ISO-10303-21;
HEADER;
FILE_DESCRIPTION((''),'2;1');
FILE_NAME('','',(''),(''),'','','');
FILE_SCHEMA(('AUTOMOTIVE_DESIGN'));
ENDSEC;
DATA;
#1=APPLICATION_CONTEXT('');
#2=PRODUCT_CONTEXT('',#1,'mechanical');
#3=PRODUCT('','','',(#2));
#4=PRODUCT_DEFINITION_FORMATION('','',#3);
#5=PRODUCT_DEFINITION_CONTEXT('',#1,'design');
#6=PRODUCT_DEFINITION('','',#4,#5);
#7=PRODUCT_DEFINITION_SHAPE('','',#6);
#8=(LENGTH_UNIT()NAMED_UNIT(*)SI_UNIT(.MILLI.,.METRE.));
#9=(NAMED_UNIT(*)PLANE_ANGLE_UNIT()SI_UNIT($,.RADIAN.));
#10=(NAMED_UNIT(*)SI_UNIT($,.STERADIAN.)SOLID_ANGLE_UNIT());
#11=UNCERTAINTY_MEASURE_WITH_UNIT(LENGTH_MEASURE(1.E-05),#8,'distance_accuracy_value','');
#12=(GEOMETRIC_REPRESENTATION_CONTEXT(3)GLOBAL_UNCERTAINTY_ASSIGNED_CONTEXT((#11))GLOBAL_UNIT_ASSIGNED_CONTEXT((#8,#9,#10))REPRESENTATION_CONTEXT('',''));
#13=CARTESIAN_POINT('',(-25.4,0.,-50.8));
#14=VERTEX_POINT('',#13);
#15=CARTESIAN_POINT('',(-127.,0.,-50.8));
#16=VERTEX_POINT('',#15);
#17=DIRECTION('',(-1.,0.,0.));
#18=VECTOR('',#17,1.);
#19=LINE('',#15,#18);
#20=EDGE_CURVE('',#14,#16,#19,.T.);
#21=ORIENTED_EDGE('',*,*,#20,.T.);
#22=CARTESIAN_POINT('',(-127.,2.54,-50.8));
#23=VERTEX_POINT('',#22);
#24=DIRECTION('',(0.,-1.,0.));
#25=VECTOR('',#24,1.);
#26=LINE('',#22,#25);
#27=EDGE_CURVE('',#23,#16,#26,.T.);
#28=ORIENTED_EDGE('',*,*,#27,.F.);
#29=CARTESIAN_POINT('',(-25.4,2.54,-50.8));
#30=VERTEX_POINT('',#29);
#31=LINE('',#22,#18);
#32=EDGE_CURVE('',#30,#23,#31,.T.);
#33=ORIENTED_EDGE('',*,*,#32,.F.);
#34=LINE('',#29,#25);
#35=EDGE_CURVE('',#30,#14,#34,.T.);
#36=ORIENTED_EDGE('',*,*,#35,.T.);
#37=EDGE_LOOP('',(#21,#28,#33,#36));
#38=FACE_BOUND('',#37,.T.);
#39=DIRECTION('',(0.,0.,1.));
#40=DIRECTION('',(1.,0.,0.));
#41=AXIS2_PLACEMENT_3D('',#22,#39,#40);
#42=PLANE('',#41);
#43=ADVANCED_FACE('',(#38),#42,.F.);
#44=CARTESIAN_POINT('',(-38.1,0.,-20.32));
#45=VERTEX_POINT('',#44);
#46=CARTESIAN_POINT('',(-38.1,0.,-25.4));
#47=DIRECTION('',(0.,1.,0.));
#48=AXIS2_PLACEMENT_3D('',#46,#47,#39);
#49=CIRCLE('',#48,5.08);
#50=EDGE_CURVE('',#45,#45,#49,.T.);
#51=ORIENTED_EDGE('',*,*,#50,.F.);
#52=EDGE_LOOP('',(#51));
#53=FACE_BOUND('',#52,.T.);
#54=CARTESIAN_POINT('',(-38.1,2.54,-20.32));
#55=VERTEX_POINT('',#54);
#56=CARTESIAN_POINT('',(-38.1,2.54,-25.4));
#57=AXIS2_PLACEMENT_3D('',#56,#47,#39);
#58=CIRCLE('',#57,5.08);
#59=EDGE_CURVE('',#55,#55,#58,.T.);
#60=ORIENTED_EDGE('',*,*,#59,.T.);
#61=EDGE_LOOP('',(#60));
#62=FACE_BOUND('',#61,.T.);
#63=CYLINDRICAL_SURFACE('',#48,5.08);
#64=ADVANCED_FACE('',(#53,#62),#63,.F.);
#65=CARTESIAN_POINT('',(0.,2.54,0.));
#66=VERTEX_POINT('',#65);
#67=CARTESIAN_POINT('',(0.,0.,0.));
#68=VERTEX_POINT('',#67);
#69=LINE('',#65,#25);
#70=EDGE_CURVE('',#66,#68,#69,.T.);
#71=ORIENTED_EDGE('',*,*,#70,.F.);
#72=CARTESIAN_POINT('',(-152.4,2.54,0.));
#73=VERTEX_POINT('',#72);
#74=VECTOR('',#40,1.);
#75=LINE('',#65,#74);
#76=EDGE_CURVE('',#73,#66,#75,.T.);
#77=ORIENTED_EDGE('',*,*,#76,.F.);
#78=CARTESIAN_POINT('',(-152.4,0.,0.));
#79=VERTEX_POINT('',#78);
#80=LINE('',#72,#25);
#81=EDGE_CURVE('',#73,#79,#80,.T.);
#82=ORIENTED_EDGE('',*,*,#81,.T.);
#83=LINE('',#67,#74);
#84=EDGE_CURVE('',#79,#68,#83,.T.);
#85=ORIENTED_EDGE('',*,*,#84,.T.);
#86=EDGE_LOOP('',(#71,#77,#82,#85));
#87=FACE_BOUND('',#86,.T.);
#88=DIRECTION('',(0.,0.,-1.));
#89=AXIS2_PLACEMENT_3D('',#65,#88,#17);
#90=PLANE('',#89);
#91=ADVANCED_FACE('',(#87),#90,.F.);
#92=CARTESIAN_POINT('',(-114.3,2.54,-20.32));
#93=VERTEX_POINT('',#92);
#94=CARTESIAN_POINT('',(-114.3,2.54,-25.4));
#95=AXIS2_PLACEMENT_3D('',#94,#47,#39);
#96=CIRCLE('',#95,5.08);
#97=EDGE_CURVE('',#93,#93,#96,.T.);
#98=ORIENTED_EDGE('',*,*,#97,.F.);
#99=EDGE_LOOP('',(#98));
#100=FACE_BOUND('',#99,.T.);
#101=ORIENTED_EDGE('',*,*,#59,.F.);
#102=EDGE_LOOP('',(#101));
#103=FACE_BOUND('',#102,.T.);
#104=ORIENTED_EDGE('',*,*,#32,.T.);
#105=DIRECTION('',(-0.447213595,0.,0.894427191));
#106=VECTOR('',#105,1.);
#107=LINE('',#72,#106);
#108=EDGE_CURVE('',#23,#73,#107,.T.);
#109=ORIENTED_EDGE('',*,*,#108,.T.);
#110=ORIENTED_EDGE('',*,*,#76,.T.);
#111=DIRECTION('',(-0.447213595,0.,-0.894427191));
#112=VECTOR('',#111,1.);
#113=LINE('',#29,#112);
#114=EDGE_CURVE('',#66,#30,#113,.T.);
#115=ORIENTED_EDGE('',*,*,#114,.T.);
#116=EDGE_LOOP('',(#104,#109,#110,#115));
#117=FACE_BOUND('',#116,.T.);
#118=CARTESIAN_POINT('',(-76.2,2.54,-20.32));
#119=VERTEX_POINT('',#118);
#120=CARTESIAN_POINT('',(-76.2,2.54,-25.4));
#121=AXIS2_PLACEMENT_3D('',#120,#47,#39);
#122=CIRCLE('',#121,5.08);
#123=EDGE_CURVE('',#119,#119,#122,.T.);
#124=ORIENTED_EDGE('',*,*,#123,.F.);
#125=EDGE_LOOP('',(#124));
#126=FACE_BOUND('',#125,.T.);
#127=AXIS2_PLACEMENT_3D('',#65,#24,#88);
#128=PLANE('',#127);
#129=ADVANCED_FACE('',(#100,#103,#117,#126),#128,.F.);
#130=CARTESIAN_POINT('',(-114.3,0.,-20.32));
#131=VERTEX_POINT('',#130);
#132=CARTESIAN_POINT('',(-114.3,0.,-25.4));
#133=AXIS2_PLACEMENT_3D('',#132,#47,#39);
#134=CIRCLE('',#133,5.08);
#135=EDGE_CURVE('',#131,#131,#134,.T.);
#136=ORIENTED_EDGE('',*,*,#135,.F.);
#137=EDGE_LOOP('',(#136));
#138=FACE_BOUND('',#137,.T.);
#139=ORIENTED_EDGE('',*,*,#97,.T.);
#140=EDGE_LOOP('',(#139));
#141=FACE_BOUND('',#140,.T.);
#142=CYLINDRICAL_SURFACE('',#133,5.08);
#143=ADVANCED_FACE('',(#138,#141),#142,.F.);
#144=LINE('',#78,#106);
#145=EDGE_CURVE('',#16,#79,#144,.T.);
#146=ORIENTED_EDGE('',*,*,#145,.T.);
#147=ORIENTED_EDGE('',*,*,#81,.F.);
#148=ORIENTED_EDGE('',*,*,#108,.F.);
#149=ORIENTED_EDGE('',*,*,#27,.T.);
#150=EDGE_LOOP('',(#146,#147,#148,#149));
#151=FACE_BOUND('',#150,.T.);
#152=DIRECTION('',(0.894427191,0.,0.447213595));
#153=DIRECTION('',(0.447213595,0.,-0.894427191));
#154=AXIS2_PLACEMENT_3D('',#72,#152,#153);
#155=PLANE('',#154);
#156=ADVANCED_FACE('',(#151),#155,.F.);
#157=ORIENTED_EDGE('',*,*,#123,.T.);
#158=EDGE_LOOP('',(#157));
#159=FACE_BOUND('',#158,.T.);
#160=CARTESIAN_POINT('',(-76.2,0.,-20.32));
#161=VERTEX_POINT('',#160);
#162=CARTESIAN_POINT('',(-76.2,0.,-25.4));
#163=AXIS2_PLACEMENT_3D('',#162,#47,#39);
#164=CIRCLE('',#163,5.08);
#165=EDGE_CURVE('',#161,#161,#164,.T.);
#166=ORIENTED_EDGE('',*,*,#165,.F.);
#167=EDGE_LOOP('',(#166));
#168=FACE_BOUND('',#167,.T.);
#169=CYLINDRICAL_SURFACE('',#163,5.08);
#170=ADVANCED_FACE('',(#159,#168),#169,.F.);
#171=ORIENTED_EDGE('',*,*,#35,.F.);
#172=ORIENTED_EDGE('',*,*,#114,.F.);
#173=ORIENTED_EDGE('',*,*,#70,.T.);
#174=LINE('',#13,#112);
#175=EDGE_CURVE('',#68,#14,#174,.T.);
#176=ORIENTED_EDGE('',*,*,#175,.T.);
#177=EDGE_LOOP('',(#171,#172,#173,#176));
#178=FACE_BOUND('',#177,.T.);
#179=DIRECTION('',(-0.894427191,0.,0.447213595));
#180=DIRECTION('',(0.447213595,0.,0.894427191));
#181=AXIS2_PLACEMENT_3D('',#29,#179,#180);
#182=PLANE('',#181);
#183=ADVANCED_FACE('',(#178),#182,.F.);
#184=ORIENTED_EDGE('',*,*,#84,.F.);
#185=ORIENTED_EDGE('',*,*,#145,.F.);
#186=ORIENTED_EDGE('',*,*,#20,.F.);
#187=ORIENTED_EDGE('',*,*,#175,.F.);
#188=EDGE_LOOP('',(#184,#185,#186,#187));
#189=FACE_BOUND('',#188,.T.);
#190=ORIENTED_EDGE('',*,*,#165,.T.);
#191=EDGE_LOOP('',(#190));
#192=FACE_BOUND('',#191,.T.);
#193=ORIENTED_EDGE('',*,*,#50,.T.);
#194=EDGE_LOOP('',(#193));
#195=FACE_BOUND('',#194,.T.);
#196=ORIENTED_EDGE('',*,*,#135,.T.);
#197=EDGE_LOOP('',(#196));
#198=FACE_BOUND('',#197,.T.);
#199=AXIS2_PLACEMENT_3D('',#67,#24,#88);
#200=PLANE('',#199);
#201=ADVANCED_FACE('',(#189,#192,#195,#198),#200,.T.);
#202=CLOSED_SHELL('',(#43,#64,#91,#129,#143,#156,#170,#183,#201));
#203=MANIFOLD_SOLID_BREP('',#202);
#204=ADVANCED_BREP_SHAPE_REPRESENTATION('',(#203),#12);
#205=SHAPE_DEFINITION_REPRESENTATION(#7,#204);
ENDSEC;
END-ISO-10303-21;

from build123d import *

# Parameters (mm, degrees)
BOSS_EXTRUDE1_DEPTH = 2.54
SKETCH2_R           = 5.08
CUT_EXTRUDE1_DEPTH  = 161.663784345


with BuildPart() as part:
    # Sketch1 → Boss-Extrude1 (new body)
    with BuildSketch(Plane(origin=(0, 0, 0), x_dir=(1, 0, 0), z_dir=(0, 1, 0))):
        Polygon((0, 0), (-152.4, 0), (-127, 50.8), (-25.4, 50.8), align=None)
    extrude(amount=BOSS_EXTRUDE1_DEPTH)

    # Sketch2 → Cut-Extrude1 (cut, through all)
    with BuildSketch(Plane(origin=(0, 2.54, 0), x_dir=(1, 0, 0), z_dir=(0, 1, 0))):
        with Locations(Location((-76.2, 25.4, 0), (0, 0, 270))):
            Circle(SKETCH2_R)
        with Locations(Location((-114.3, 25.4, 0), (0, 0, 270))):
            Circle(SKETCH2_R)
        with Locations(Location((-38.1, 25.4, 0), (0, 0, 270))):
            Circle(SKETCH2_R)
    extrude(amount=-CUT_EXTRUDE1_DEPTH, mode=Mode.SUBTRACT)


solid = part.part
